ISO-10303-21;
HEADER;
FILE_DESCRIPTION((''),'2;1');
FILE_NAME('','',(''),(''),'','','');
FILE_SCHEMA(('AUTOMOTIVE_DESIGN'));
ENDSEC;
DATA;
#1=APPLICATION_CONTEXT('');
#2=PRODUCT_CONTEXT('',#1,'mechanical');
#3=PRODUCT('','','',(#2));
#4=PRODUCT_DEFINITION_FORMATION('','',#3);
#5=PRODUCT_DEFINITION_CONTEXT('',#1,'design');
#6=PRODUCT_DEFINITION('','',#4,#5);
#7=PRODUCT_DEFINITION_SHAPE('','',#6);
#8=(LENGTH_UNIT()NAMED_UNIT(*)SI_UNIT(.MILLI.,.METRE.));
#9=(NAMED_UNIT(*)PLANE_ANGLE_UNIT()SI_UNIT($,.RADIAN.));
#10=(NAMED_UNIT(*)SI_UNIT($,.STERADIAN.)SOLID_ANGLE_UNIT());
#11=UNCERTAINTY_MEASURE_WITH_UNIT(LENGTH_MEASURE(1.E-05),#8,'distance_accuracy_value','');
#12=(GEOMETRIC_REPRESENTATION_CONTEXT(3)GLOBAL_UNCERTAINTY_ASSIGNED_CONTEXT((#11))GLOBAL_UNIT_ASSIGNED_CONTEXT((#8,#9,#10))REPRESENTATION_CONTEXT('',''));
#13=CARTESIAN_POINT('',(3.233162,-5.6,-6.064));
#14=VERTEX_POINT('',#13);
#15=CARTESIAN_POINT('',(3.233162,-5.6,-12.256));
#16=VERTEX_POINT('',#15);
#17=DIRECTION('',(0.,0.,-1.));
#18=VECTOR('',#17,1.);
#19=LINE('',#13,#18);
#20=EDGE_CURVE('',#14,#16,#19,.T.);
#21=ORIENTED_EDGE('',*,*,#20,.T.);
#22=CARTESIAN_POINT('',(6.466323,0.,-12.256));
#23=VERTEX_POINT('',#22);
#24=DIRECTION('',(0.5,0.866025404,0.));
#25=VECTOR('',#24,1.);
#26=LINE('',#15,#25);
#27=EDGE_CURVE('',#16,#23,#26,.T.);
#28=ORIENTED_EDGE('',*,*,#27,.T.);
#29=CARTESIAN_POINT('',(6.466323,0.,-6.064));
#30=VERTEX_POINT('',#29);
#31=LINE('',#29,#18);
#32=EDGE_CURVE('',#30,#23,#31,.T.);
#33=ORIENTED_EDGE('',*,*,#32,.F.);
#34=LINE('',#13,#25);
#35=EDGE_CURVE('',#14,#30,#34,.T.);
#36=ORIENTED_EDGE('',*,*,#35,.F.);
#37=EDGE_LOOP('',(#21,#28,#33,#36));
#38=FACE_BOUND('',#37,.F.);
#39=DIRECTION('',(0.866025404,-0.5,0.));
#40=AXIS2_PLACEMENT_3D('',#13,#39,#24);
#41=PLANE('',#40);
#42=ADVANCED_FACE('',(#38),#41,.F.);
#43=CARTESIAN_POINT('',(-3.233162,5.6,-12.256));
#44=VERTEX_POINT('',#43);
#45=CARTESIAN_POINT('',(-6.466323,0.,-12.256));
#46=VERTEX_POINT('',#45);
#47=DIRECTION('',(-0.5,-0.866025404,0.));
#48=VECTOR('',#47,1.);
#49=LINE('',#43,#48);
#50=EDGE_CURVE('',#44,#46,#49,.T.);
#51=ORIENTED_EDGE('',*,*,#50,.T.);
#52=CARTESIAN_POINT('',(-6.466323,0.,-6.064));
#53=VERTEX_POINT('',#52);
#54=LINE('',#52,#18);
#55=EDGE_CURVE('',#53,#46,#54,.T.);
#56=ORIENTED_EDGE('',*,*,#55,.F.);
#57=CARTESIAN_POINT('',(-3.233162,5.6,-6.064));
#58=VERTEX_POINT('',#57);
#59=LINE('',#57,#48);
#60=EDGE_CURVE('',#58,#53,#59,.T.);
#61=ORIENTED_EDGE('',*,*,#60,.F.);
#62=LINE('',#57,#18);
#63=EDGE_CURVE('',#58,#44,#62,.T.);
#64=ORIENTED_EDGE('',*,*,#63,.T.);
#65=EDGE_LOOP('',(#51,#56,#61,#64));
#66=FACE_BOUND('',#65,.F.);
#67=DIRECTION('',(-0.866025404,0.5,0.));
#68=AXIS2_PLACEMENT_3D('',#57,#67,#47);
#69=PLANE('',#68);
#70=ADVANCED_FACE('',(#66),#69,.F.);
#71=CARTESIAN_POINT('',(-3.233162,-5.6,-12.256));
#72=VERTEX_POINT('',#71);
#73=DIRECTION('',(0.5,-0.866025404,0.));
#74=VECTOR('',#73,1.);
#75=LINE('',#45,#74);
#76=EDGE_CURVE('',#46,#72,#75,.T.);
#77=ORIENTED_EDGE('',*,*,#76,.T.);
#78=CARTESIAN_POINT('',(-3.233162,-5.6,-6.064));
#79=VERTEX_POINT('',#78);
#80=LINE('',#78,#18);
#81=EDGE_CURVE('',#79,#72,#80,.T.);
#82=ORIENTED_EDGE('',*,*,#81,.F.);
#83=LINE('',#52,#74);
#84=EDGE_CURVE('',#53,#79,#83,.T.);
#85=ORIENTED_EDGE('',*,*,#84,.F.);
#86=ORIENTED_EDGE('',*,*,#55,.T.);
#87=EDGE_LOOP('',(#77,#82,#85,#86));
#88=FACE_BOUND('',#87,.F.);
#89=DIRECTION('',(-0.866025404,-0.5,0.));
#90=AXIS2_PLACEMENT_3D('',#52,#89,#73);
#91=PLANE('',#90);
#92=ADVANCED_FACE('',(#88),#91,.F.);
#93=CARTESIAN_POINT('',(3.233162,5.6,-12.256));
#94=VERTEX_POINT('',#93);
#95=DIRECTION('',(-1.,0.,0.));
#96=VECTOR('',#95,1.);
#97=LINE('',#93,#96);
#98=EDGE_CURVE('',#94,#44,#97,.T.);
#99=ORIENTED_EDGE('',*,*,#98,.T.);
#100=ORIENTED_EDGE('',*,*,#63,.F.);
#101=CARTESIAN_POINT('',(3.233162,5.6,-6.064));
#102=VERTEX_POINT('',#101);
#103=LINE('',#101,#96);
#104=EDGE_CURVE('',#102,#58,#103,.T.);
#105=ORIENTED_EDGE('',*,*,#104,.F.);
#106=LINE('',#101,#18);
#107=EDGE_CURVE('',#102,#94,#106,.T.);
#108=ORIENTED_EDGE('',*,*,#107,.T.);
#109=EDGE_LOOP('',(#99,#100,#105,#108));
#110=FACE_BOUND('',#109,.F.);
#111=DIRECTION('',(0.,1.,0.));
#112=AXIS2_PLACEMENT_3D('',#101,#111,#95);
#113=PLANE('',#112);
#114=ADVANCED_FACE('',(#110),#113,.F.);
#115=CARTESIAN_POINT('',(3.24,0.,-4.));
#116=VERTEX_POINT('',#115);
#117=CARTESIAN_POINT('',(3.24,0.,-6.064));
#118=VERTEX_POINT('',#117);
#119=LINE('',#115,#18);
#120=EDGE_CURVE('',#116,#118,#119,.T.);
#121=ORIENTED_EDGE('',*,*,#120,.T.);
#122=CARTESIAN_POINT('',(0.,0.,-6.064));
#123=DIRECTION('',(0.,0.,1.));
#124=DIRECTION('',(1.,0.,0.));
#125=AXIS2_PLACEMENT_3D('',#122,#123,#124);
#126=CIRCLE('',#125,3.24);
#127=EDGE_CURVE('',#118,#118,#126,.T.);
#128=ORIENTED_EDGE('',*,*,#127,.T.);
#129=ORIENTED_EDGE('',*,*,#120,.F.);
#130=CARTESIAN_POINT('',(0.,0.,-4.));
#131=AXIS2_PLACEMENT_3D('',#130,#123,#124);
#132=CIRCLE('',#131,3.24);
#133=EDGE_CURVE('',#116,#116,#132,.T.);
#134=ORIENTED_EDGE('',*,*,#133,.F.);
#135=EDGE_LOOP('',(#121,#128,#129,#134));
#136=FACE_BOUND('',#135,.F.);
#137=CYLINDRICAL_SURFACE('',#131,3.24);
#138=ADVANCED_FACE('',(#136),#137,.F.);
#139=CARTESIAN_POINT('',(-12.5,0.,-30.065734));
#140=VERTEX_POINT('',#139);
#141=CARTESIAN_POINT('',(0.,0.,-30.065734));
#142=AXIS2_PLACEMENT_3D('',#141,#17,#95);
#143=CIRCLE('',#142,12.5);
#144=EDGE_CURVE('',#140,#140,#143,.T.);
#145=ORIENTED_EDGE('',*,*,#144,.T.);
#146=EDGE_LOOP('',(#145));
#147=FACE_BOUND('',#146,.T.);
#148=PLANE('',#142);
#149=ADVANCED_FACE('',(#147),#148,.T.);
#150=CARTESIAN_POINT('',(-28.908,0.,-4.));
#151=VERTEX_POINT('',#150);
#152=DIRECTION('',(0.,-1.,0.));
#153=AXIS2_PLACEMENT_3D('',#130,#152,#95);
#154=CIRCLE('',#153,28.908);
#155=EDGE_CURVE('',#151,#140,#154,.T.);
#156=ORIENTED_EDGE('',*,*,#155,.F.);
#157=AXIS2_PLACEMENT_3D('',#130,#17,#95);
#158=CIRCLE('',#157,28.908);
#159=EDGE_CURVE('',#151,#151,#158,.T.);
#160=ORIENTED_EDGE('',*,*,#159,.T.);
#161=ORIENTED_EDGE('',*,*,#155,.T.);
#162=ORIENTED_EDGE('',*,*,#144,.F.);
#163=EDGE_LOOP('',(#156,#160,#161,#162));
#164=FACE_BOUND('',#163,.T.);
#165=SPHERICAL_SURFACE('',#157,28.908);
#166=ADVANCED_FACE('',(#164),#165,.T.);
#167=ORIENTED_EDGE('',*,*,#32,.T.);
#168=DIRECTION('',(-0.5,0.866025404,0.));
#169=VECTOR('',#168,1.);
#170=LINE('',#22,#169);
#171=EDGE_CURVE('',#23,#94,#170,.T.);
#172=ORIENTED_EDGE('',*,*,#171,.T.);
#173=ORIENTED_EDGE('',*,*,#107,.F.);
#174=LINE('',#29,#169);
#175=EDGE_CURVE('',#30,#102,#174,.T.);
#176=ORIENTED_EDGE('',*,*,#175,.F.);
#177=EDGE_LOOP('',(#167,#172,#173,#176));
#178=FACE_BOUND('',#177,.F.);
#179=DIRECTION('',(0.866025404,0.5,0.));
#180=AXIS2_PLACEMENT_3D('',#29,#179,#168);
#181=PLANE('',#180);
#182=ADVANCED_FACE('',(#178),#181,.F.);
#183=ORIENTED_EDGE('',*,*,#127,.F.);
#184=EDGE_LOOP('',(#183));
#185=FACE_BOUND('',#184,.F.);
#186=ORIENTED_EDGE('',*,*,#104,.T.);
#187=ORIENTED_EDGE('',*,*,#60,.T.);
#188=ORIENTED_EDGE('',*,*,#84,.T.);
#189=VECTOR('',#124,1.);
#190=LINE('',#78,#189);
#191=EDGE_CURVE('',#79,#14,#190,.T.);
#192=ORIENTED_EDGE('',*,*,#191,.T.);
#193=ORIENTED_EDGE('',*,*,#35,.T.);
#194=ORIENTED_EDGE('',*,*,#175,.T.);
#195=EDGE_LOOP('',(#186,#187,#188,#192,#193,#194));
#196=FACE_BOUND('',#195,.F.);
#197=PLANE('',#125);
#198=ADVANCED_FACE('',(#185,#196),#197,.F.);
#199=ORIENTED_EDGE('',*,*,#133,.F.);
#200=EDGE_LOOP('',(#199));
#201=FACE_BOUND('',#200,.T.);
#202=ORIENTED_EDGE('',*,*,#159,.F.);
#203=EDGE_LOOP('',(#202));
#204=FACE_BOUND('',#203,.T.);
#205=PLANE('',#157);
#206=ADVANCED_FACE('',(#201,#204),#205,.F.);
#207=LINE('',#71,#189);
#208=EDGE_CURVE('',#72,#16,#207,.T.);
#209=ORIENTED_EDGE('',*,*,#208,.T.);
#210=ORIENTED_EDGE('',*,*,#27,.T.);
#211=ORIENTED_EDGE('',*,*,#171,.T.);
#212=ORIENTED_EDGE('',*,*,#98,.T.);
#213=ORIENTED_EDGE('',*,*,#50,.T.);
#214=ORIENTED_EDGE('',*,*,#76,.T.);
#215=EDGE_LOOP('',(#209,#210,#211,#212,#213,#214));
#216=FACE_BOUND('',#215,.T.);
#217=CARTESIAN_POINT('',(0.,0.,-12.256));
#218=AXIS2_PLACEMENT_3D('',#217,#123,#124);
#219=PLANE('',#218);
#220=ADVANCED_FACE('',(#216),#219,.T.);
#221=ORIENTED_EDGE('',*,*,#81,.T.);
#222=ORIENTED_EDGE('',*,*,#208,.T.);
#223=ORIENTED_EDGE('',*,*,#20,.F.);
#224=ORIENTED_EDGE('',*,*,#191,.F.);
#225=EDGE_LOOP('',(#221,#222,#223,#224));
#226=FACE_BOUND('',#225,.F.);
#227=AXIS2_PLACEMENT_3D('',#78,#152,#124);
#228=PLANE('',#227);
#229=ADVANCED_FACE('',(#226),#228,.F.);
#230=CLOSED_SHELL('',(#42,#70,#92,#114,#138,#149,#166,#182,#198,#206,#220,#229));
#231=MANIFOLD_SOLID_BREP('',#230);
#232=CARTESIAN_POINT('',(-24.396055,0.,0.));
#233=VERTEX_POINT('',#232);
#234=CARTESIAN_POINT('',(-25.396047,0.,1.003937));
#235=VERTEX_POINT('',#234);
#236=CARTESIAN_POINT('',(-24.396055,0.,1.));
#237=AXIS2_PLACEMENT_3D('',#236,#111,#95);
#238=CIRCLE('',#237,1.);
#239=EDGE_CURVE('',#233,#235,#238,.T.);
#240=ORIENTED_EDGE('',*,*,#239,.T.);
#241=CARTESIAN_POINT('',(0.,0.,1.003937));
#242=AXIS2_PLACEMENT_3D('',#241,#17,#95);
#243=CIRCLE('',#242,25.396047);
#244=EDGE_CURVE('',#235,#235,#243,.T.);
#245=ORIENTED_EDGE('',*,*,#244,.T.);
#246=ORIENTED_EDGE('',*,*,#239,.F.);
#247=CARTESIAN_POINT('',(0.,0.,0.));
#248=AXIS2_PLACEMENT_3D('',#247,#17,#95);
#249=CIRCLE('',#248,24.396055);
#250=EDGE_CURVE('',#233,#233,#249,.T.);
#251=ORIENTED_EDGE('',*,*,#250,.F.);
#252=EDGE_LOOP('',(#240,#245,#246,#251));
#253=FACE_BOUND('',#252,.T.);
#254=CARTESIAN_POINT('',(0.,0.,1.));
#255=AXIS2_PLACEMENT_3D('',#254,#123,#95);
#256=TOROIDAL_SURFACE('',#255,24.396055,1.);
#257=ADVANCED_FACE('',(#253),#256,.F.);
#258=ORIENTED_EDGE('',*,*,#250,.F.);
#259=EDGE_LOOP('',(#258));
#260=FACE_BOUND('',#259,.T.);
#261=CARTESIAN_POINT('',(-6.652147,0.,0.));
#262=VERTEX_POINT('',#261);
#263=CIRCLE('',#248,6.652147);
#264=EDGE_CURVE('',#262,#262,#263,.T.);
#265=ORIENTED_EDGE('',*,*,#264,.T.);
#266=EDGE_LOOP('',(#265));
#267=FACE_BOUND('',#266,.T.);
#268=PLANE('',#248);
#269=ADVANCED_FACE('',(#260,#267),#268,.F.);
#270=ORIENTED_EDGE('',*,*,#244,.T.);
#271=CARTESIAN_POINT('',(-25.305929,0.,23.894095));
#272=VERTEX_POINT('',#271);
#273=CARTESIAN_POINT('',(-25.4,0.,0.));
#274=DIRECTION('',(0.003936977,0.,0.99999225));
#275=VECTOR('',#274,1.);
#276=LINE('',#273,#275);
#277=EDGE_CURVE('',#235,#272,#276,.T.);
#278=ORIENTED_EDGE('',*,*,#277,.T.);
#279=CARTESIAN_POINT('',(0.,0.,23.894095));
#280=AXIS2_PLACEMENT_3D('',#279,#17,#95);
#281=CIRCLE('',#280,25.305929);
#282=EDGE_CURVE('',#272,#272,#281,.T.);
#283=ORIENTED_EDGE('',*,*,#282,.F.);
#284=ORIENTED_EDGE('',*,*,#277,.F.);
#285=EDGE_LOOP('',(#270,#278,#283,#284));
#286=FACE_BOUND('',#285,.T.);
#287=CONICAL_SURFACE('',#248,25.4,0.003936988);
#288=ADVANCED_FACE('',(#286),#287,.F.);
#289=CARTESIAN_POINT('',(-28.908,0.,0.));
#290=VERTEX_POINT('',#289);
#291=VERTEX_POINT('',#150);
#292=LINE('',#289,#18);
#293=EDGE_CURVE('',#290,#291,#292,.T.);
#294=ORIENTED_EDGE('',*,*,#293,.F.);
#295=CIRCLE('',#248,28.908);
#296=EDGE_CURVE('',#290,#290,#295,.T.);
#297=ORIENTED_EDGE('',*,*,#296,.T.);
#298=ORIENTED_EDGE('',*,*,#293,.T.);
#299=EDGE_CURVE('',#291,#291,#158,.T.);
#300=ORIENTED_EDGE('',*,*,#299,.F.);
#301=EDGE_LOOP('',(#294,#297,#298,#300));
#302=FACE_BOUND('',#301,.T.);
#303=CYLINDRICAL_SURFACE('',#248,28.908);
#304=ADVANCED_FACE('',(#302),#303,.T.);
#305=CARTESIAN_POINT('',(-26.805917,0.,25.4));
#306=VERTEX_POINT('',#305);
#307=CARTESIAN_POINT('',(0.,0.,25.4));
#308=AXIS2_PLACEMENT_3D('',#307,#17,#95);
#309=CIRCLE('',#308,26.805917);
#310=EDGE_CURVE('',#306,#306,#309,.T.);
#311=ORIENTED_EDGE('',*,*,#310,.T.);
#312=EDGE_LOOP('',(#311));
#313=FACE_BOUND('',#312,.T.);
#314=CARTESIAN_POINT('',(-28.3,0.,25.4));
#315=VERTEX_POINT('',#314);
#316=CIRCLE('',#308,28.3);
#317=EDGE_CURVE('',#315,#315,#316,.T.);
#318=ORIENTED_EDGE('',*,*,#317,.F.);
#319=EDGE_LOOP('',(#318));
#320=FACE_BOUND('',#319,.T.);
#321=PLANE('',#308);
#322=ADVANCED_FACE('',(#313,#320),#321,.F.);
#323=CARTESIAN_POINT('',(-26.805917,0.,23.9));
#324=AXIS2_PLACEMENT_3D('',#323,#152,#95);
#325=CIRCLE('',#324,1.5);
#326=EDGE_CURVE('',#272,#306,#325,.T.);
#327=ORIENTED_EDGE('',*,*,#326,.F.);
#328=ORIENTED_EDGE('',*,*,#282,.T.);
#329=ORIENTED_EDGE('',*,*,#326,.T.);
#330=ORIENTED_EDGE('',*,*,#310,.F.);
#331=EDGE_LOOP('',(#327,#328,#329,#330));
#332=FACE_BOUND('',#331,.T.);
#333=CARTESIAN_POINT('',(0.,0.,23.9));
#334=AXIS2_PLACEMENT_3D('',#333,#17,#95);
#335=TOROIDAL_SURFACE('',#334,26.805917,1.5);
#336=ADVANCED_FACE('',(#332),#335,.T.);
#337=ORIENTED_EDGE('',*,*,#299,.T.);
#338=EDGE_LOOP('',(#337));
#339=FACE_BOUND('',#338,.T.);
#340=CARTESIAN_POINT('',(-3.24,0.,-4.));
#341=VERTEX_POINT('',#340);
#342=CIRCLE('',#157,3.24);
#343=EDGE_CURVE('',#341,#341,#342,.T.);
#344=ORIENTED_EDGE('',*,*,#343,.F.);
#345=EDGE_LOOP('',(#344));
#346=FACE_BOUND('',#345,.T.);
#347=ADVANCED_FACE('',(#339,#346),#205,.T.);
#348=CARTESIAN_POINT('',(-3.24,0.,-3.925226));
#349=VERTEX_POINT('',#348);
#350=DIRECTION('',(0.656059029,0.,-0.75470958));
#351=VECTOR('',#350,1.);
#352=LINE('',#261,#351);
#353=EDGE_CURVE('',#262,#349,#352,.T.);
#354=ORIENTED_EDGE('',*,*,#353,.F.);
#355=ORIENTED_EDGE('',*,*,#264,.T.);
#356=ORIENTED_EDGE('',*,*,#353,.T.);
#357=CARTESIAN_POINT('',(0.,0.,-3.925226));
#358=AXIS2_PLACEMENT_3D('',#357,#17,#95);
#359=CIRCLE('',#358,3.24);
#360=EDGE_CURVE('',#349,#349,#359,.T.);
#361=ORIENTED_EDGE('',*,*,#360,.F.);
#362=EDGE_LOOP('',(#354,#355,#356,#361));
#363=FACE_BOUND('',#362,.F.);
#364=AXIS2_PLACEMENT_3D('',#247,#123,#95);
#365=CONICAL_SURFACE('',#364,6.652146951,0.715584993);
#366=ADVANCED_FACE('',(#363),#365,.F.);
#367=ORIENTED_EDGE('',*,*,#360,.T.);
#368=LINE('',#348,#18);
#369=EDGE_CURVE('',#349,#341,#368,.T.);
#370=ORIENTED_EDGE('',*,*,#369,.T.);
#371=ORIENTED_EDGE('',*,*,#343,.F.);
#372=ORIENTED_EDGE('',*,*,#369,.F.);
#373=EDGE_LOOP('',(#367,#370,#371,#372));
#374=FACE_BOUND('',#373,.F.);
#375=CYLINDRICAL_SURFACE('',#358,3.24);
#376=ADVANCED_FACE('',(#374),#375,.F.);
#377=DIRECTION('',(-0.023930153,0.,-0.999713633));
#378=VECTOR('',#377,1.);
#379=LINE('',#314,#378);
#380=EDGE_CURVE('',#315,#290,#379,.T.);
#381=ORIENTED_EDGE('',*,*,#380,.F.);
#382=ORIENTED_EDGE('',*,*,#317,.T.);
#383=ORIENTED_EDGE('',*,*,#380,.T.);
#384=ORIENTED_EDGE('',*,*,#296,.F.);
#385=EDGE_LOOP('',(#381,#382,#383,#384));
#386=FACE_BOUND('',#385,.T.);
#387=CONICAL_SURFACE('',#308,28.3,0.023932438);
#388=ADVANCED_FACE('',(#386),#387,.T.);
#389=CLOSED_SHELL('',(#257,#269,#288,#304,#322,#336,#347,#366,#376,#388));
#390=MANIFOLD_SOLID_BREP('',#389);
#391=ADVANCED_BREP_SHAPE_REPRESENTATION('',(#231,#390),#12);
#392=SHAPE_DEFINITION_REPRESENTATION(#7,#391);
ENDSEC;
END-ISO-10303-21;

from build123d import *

# Parameters (mm, degrees)
F2_R      = 1
F3_R      = 1.5
F5_W      = 6.6521469513
F5_H      = 11.3077862186
F10_DEPTH = 6.192
F13_R     = 3.24
F14_DEPTH = 2.064


with BuildPart() as f1:
    # F0 (on Front) → F1 (revolve)
    with BuildSketch(Plane.XZ):
        Polygon((0, -4), (0, 0), (-25.4, 0), (-25.3, 25.4), (-28.3, 25.4), (-28.908, 0), (-28.908, -4), align=None)
    revolve(axis=Axis((0, 0, -2), (0, 0, -1)))

    # F2
    f2_edges = [f1.edges().sort_by_distance(p)[0] for p in [
        (25.4, 0, 0),
    ]]
    fillet(f2_edges, radius=F2_R)

    # F3
    f3_edges = [f1.edges().sort_by_distance(p)[0] for p in [
        (25.3, 0, 25.4),
    ]]
    fillet(f3_edges, radius=F3_R)

    # F5 (on Front) → F6 (revolve, cut)
    with BuildSketch(Plane.XZ):
        with Locations((-3.3260734756, 5.6538931093)):
            Rectangle(F5_W, F5_H)
        Polygon((0, -15.6807032946), (0, 0), (-6.6521469513, 0), (-3.24, -3.9252260535), (-3.24, -15.6807032946), (-3.175, -15.6807032946), align=None)
    revolve(axis=Axis((0, 0, -2.186458538), (0, 0, -1)), mode=Mode.SUBTRACT)


with BuildPart() as f8:
    # F7 (on Front) → F8 (revolve)
    with BuildSketch(Plane.XZ):
        with BuildLine():
            Line((0, -4), (-28.908, -4))
            ThreePointArc((-28.908, -4), (-24.4644892038, -19.40004), (-12.5, -30.0657335212))
            Line((-12.5, -30.0657335212), (0, -30.0657335212))
            Line((0, -30.0657335212), (0, -4))
        make_face()
    revolve(axis=Axis((0, 0, -17.0328667606), (0, 0, -1)))


with BuildPart() as f10:
    # F9 (on face) → F10 (new body)
    with BuildSketch(Plane.XY.offset(-4)):
        Polygon((3.2331615075, 5.6), (-3.2331615075, 5.6), (-6.4663230149, 0), (-3.2331615075, -5.6), (3.2331615075, -5.6), (6.4663230149, 0), align=None)
    extrude(amount=-F10_DEPTH)


with BuildPart() as f10_1:
    # F11: moved
    add(f10.part.moved(Location((0, 0, -2.064))))


with BuildPart() as f8_1:
    add(f8.part)

    # F12: cut F10
    add(f10_1.part, mode=Mode.SUBTRACT)

    # F13 (on face) → F14 (cut)
    with BuildSketch(Plane.XY.offset(-4)):
        Circle(F13_R)
    extrude(amount=-F14_DEPTH, mode=Mode.SUBTRACT)


solid = Compound([f1.part, f8_1.part])
